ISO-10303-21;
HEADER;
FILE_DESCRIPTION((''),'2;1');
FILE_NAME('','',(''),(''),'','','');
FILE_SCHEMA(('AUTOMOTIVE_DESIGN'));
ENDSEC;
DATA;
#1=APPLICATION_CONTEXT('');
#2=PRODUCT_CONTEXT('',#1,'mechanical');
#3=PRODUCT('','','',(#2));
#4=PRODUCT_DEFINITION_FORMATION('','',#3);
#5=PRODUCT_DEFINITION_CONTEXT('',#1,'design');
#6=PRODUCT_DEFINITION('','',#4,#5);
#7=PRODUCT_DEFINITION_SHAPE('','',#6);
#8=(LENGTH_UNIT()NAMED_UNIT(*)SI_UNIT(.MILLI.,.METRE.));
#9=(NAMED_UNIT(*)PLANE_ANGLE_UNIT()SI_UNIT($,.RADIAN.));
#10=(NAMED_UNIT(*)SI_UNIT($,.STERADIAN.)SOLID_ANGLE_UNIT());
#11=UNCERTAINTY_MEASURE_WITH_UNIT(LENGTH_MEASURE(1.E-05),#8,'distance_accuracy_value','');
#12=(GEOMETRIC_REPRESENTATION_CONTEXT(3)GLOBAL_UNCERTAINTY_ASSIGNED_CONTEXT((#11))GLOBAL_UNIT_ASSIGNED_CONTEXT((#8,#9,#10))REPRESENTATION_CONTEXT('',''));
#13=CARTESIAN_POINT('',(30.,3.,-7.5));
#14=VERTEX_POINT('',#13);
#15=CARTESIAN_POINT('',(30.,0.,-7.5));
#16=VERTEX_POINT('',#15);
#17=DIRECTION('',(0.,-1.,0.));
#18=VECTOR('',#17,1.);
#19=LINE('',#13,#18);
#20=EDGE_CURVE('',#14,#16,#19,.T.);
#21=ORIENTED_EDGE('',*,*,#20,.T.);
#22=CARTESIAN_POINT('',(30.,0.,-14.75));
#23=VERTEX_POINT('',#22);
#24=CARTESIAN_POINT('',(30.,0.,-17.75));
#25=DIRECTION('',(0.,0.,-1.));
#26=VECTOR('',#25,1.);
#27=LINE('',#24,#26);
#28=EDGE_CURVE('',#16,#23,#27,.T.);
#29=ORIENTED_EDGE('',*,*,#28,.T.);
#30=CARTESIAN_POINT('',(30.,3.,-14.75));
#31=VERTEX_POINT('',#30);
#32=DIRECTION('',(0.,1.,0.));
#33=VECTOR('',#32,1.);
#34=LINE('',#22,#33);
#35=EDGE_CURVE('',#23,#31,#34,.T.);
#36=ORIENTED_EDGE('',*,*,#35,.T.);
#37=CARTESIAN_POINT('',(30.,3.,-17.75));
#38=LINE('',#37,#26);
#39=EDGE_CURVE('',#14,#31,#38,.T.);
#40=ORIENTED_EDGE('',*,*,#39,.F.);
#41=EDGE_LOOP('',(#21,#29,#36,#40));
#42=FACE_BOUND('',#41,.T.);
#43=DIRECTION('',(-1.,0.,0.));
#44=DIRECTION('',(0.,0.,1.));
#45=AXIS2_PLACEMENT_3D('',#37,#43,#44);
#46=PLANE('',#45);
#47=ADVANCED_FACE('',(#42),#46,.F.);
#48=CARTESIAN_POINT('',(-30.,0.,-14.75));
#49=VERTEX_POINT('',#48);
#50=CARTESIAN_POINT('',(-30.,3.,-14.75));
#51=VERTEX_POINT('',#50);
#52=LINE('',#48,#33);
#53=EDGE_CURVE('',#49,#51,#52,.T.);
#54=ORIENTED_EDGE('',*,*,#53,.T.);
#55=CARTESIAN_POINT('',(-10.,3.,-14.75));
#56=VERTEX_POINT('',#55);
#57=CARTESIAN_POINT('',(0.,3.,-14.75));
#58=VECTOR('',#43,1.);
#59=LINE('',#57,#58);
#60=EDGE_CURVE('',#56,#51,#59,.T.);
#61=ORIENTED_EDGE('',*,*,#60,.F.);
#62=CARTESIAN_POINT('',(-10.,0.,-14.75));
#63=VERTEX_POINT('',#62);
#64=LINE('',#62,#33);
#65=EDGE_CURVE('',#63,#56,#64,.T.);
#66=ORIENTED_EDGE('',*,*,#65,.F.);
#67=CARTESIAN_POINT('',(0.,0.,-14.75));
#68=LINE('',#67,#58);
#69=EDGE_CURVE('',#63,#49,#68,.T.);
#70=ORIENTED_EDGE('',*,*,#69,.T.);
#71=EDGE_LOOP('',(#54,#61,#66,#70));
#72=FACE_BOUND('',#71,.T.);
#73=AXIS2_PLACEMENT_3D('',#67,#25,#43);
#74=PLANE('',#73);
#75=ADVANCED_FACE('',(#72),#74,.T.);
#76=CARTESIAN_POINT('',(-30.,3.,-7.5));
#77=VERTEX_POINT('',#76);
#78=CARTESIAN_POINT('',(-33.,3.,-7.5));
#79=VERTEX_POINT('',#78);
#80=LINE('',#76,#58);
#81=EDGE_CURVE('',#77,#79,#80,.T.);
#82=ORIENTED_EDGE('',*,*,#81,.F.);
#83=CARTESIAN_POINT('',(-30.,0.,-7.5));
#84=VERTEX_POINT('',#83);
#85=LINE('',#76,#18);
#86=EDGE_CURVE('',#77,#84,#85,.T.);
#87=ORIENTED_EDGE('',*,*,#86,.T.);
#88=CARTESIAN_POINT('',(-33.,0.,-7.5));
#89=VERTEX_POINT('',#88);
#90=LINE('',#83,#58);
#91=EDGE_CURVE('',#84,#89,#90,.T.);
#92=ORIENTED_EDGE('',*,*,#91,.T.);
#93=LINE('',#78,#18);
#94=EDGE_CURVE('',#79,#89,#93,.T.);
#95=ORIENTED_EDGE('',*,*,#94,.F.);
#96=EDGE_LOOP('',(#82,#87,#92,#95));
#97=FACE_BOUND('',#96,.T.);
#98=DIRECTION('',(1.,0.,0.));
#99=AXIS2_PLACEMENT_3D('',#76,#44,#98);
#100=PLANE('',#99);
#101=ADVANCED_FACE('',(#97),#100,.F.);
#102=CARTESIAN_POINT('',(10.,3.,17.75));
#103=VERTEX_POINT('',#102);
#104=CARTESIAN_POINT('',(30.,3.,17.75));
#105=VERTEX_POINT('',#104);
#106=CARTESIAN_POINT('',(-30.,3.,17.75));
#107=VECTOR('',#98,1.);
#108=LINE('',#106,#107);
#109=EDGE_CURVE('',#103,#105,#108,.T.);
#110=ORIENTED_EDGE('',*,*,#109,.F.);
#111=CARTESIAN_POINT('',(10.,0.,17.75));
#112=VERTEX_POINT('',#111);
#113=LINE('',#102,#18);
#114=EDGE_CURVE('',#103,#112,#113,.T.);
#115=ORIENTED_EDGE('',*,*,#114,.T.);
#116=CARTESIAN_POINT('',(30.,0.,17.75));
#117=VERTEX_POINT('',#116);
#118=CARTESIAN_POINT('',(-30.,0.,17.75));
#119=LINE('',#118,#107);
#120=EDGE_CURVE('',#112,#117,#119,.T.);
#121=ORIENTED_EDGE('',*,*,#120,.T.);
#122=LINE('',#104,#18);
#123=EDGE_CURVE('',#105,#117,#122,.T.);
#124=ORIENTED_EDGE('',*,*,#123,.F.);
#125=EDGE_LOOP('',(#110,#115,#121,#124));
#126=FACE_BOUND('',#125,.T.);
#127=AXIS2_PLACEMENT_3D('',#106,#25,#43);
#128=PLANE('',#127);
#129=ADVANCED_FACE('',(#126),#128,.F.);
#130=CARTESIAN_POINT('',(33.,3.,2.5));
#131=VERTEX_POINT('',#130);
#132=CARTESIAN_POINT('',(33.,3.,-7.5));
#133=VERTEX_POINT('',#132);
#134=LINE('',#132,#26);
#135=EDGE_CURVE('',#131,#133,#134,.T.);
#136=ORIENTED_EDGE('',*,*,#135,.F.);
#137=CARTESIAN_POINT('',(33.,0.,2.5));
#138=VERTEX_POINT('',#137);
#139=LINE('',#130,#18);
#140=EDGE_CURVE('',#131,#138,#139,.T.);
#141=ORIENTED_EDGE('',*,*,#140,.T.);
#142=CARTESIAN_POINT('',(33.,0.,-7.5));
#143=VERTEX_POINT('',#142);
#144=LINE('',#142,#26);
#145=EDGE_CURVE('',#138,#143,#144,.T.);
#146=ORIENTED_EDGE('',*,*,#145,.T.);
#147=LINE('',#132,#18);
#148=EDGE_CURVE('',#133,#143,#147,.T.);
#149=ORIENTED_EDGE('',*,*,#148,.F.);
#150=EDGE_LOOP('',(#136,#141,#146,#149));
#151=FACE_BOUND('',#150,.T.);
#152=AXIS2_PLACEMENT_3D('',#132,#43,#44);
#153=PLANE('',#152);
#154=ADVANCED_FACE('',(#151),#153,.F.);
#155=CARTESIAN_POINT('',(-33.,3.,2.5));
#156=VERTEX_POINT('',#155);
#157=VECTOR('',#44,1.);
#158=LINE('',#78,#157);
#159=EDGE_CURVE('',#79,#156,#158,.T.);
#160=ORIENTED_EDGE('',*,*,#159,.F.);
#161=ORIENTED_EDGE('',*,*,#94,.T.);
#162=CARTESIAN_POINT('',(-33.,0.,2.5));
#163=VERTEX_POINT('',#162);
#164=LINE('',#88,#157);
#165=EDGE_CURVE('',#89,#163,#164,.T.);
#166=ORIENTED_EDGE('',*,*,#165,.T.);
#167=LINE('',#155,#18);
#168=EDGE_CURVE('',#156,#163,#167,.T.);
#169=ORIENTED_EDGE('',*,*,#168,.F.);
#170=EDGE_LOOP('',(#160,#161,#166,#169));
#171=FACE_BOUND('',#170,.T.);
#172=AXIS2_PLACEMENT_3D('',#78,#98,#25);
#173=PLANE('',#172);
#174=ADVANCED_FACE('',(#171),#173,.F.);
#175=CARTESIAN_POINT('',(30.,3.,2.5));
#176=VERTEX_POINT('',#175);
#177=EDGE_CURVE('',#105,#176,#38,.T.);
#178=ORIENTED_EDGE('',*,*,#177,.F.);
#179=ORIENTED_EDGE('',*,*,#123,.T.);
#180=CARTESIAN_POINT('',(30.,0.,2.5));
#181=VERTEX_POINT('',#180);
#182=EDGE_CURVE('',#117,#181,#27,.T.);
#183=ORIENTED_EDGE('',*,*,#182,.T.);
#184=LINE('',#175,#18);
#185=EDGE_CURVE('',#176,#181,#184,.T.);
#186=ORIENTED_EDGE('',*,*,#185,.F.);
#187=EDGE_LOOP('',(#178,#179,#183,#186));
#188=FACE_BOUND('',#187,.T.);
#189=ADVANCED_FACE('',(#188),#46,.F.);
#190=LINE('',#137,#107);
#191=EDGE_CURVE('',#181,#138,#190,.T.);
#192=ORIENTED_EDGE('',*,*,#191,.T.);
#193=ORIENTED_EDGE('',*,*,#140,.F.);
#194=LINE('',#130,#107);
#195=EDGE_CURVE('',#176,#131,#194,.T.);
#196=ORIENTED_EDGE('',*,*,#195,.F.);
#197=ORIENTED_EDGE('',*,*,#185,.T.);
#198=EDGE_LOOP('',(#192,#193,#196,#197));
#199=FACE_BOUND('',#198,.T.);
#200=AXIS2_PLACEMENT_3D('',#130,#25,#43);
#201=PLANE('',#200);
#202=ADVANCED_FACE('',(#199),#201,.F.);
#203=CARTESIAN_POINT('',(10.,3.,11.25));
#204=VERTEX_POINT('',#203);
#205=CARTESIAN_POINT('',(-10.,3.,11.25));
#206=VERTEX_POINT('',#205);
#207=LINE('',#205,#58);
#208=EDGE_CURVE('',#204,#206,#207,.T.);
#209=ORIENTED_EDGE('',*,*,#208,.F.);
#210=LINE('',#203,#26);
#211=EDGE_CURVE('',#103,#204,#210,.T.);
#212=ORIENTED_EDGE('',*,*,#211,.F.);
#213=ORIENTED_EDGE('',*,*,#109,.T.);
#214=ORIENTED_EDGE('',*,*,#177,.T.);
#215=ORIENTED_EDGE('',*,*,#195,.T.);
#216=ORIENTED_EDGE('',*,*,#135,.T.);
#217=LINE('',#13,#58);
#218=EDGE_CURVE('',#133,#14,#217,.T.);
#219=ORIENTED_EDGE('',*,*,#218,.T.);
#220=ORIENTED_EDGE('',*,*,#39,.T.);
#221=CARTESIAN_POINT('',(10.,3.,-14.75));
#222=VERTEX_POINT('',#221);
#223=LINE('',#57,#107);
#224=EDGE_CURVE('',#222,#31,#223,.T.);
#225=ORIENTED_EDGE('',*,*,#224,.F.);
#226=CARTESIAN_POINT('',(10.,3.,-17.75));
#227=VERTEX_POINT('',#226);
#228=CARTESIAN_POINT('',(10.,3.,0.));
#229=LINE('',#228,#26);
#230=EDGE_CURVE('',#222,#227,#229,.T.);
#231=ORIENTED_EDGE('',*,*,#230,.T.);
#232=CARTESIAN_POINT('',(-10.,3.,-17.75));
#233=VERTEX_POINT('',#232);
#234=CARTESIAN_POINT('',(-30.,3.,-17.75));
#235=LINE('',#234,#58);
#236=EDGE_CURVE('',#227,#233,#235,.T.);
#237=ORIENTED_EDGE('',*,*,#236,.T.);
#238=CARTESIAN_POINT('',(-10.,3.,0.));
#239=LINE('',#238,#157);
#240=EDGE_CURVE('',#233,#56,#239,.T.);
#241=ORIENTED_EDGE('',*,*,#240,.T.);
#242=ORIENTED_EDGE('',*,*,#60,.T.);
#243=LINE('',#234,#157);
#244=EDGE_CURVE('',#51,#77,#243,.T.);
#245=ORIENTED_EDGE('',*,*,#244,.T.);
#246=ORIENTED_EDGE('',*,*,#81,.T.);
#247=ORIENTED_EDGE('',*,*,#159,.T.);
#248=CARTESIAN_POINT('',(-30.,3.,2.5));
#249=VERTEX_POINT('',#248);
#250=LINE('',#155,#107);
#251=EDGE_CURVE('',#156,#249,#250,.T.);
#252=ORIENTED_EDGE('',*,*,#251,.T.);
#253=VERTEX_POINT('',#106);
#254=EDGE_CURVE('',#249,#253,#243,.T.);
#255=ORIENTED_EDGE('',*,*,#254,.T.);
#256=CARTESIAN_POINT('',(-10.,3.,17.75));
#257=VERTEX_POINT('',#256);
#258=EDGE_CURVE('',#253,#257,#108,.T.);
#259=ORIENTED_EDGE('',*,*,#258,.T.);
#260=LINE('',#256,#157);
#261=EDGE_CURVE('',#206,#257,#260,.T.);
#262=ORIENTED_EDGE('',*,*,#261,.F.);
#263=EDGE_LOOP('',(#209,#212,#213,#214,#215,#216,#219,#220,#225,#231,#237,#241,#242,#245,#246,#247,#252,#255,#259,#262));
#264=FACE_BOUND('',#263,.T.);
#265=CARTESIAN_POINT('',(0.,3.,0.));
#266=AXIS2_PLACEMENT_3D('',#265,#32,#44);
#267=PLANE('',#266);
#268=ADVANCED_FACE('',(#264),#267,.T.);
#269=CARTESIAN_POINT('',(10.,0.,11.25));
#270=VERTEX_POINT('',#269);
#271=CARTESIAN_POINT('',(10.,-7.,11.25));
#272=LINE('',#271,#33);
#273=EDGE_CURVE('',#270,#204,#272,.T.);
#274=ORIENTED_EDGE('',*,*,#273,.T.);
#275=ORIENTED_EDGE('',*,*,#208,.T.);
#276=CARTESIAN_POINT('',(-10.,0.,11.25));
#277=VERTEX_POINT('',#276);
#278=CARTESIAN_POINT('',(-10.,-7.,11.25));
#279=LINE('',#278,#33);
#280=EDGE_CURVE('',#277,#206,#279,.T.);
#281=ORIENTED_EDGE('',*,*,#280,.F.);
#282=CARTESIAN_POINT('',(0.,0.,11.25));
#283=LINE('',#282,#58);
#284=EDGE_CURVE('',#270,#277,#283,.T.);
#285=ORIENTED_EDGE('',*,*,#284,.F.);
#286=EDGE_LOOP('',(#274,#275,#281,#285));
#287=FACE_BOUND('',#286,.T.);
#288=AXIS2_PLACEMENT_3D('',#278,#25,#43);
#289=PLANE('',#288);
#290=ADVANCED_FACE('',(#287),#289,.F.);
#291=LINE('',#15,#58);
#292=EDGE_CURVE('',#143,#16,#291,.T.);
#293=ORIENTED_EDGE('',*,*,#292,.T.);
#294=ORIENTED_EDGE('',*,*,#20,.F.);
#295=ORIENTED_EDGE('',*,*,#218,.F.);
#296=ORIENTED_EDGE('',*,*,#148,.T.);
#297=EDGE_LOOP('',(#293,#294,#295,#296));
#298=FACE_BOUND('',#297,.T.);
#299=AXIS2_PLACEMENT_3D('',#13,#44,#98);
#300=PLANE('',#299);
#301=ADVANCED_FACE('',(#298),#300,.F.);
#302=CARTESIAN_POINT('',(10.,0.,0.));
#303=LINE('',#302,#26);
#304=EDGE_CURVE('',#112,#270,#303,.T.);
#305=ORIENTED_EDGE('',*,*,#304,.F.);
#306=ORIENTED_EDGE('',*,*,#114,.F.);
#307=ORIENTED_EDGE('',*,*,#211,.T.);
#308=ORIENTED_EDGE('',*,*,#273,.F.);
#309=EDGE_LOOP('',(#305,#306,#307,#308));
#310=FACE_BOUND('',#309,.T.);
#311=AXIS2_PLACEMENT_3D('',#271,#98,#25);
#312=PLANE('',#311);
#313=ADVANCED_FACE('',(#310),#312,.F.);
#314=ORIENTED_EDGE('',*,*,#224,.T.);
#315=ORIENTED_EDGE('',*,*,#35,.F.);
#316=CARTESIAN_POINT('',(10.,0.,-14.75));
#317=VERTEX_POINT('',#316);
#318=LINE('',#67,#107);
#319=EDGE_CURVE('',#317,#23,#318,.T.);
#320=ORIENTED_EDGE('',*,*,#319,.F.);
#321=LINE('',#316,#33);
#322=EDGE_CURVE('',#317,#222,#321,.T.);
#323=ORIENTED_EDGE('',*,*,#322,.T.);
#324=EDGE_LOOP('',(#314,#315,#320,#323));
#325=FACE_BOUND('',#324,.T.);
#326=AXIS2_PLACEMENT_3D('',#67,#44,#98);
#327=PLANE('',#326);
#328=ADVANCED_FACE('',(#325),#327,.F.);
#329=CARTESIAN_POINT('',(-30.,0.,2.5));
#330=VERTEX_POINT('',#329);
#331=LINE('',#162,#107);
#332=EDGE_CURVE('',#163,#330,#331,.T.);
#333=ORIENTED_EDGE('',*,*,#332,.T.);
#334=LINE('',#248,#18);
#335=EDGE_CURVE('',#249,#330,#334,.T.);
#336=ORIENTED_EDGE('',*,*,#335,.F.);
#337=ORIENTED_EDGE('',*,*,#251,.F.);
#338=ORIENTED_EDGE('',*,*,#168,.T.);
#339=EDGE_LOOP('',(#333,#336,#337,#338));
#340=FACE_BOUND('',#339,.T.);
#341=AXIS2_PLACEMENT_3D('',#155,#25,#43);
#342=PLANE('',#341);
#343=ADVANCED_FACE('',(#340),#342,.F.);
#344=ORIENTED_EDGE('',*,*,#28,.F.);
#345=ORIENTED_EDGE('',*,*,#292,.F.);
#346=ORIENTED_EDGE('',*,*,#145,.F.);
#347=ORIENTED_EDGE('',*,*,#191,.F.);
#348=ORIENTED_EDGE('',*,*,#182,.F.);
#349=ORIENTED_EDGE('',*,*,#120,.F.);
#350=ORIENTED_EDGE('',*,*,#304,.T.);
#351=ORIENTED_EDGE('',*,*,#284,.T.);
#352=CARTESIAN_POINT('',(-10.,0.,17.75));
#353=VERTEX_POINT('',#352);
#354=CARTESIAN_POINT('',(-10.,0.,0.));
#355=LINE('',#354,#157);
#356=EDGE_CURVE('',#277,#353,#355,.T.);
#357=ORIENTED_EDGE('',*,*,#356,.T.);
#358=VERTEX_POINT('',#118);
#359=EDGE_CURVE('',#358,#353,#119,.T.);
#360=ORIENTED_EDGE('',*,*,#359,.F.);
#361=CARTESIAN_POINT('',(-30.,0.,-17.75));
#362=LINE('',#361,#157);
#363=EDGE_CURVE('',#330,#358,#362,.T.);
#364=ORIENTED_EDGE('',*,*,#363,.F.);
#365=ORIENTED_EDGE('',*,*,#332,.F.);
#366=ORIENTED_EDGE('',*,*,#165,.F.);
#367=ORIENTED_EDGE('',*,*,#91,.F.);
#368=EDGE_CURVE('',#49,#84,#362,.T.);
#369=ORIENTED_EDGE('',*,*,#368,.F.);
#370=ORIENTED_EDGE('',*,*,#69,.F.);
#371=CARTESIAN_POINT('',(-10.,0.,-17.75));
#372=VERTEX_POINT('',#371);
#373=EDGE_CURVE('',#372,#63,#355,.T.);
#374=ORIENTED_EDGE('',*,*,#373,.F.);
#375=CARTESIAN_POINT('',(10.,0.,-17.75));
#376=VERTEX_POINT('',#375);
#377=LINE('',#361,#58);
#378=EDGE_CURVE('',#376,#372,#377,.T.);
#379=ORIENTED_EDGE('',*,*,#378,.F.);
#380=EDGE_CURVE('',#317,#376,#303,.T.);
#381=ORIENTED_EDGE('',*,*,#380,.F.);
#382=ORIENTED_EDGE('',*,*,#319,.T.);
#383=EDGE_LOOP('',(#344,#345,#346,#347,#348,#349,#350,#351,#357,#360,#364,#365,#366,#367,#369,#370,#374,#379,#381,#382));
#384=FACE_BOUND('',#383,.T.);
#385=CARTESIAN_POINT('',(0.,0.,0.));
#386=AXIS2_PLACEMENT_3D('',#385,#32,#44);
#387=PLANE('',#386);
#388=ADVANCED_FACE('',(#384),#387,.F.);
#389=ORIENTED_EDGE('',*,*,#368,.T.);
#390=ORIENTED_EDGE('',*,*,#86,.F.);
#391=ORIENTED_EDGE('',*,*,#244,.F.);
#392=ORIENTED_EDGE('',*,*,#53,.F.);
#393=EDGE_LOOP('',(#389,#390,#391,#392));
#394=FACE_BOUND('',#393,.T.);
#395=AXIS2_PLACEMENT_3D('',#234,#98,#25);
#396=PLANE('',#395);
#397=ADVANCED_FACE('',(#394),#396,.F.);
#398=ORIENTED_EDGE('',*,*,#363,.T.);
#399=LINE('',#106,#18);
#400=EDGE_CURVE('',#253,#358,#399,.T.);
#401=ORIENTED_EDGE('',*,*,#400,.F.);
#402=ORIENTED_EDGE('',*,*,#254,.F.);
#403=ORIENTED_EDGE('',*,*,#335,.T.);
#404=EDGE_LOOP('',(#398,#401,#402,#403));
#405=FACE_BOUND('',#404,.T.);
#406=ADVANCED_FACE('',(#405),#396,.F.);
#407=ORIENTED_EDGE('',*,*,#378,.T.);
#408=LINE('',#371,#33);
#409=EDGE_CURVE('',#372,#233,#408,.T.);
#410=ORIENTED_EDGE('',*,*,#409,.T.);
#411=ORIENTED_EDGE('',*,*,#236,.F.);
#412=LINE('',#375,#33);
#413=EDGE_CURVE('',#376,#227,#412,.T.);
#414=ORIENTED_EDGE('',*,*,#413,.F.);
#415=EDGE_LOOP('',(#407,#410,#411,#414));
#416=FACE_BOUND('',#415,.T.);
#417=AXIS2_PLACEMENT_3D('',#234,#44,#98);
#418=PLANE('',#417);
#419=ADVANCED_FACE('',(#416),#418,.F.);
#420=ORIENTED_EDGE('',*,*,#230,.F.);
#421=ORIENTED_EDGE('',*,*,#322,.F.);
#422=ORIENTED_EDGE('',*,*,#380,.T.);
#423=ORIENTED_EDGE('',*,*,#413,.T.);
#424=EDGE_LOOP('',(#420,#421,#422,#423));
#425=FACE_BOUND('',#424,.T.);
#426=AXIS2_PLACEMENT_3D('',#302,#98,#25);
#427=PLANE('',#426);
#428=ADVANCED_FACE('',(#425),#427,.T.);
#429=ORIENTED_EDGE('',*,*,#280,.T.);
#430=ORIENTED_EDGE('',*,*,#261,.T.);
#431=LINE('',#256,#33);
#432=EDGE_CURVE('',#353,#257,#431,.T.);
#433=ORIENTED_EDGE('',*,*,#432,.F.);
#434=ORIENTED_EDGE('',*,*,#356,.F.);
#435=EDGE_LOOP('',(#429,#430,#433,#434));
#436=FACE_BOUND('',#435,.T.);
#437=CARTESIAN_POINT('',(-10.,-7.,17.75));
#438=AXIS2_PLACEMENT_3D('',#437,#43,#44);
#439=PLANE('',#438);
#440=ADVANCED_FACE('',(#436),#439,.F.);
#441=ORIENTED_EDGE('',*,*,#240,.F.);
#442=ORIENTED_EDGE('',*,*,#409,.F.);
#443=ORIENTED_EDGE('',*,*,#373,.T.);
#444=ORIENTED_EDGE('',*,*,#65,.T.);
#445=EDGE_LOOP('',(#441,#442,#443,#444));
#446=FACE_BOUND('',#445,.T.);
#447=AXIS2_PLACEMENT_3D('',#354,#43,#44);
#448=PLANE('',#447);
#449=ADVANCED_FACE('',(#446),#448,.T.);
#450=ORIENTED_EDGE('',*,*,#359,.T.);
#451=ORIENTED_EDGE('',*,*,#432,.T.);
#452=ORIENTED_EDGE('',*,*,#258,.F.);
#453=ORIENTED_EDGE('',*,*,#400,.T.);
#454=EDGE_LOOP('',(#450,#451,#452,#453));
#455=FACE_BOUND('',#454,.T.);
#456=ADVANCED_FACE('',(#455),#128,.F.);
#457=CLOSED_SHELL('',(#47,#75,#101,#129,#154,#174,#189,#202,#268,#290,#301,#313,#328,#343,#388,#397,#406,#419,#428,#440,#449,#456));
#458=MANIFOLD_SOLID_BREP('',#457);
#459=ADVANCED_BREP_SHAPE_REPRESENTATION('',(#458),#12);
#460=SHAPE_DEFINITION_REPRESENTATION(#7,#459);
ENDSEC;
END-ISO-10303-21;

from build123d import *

# Parameters (mm, degrees)
SKETCH2_W           = 60
SKETCH2_H           = 35.5
BOSS_EXTRUDE1_DEPTH = 3
SKETCH3_W           = 3
SKETCH3_H           = 10
BOSS_EXTRUDE2_DEPTH = 3
SKETCH4_W           = 20
SKETCH4_H           = 3
CUT_EXTRUDE2_DEPTH  = 3
SKETCH5_W           = 20
SKETCH5_H           = 6.5
CUT_EXTRUDE3_DEPTH  = 10


with BuildPart() as part:
    # Sketch2 → Boss-Extrude1 (new body)
    with BuildSketch(Plane(origin=(0, 0, 0), x_dir=(1, 0, 0), z_dir=(0, 1, 0))):
        Rectangle(SKETCH2_W, SKETCH2_H)
    extrude(amount=BOSS_EXTRUDE1_DEPTH)

    # Sketch3 → Boss-Extrude2 (add)
    with BuildSketch(Plane(origin=(0, 0, 0), x_dir=(1, 0, 0), z_dir=(0, 1, 0))):
        with Locations((-31.5, 2.5)):
            Rectangle(SKETCH3_W, SKETCH3_H)
        with Locations((31.5, 2.5)):
            Rectangle(SKETCH3_W, SKETCH3_H)
    extrude(amount=BOSS_EXTRUDE2_DEPTH)

    # Sketch4 → Cut-Extrude2 (cut)
    with BuildSketch(Plane(origin=(0, 3, 0), x_dir=(1, 0, 0), z_dir=(0, 1, 0))):
        with Locations((-20, 16.25)):
            Rectangle(SKETCH4_W, SKETCH4_H)
        with Locations((20, 16.25)):
            Rectangle(SKETCH4_W, SKETCH4_H)
    extrude(amount=-CUT_EXTRUDE2_DEPTH, mode=Mode.SUBTRACT)

    # Sketch5 → Cut-Extrude3 (cut)
    with BuildSketch(Plane(origin=(0, 3, 0), x_dir=(1, 0, 0), z_dir=(0, 1, 0))):
        with Locations((0, -14.5)):
            Rectangle(SKETCH5_W, SKETCH5_H)
    extrude(amount=-CUT_EXTRUDE3_DEPTH, mode=Mode.SUBTRACT)


solid = part.part
